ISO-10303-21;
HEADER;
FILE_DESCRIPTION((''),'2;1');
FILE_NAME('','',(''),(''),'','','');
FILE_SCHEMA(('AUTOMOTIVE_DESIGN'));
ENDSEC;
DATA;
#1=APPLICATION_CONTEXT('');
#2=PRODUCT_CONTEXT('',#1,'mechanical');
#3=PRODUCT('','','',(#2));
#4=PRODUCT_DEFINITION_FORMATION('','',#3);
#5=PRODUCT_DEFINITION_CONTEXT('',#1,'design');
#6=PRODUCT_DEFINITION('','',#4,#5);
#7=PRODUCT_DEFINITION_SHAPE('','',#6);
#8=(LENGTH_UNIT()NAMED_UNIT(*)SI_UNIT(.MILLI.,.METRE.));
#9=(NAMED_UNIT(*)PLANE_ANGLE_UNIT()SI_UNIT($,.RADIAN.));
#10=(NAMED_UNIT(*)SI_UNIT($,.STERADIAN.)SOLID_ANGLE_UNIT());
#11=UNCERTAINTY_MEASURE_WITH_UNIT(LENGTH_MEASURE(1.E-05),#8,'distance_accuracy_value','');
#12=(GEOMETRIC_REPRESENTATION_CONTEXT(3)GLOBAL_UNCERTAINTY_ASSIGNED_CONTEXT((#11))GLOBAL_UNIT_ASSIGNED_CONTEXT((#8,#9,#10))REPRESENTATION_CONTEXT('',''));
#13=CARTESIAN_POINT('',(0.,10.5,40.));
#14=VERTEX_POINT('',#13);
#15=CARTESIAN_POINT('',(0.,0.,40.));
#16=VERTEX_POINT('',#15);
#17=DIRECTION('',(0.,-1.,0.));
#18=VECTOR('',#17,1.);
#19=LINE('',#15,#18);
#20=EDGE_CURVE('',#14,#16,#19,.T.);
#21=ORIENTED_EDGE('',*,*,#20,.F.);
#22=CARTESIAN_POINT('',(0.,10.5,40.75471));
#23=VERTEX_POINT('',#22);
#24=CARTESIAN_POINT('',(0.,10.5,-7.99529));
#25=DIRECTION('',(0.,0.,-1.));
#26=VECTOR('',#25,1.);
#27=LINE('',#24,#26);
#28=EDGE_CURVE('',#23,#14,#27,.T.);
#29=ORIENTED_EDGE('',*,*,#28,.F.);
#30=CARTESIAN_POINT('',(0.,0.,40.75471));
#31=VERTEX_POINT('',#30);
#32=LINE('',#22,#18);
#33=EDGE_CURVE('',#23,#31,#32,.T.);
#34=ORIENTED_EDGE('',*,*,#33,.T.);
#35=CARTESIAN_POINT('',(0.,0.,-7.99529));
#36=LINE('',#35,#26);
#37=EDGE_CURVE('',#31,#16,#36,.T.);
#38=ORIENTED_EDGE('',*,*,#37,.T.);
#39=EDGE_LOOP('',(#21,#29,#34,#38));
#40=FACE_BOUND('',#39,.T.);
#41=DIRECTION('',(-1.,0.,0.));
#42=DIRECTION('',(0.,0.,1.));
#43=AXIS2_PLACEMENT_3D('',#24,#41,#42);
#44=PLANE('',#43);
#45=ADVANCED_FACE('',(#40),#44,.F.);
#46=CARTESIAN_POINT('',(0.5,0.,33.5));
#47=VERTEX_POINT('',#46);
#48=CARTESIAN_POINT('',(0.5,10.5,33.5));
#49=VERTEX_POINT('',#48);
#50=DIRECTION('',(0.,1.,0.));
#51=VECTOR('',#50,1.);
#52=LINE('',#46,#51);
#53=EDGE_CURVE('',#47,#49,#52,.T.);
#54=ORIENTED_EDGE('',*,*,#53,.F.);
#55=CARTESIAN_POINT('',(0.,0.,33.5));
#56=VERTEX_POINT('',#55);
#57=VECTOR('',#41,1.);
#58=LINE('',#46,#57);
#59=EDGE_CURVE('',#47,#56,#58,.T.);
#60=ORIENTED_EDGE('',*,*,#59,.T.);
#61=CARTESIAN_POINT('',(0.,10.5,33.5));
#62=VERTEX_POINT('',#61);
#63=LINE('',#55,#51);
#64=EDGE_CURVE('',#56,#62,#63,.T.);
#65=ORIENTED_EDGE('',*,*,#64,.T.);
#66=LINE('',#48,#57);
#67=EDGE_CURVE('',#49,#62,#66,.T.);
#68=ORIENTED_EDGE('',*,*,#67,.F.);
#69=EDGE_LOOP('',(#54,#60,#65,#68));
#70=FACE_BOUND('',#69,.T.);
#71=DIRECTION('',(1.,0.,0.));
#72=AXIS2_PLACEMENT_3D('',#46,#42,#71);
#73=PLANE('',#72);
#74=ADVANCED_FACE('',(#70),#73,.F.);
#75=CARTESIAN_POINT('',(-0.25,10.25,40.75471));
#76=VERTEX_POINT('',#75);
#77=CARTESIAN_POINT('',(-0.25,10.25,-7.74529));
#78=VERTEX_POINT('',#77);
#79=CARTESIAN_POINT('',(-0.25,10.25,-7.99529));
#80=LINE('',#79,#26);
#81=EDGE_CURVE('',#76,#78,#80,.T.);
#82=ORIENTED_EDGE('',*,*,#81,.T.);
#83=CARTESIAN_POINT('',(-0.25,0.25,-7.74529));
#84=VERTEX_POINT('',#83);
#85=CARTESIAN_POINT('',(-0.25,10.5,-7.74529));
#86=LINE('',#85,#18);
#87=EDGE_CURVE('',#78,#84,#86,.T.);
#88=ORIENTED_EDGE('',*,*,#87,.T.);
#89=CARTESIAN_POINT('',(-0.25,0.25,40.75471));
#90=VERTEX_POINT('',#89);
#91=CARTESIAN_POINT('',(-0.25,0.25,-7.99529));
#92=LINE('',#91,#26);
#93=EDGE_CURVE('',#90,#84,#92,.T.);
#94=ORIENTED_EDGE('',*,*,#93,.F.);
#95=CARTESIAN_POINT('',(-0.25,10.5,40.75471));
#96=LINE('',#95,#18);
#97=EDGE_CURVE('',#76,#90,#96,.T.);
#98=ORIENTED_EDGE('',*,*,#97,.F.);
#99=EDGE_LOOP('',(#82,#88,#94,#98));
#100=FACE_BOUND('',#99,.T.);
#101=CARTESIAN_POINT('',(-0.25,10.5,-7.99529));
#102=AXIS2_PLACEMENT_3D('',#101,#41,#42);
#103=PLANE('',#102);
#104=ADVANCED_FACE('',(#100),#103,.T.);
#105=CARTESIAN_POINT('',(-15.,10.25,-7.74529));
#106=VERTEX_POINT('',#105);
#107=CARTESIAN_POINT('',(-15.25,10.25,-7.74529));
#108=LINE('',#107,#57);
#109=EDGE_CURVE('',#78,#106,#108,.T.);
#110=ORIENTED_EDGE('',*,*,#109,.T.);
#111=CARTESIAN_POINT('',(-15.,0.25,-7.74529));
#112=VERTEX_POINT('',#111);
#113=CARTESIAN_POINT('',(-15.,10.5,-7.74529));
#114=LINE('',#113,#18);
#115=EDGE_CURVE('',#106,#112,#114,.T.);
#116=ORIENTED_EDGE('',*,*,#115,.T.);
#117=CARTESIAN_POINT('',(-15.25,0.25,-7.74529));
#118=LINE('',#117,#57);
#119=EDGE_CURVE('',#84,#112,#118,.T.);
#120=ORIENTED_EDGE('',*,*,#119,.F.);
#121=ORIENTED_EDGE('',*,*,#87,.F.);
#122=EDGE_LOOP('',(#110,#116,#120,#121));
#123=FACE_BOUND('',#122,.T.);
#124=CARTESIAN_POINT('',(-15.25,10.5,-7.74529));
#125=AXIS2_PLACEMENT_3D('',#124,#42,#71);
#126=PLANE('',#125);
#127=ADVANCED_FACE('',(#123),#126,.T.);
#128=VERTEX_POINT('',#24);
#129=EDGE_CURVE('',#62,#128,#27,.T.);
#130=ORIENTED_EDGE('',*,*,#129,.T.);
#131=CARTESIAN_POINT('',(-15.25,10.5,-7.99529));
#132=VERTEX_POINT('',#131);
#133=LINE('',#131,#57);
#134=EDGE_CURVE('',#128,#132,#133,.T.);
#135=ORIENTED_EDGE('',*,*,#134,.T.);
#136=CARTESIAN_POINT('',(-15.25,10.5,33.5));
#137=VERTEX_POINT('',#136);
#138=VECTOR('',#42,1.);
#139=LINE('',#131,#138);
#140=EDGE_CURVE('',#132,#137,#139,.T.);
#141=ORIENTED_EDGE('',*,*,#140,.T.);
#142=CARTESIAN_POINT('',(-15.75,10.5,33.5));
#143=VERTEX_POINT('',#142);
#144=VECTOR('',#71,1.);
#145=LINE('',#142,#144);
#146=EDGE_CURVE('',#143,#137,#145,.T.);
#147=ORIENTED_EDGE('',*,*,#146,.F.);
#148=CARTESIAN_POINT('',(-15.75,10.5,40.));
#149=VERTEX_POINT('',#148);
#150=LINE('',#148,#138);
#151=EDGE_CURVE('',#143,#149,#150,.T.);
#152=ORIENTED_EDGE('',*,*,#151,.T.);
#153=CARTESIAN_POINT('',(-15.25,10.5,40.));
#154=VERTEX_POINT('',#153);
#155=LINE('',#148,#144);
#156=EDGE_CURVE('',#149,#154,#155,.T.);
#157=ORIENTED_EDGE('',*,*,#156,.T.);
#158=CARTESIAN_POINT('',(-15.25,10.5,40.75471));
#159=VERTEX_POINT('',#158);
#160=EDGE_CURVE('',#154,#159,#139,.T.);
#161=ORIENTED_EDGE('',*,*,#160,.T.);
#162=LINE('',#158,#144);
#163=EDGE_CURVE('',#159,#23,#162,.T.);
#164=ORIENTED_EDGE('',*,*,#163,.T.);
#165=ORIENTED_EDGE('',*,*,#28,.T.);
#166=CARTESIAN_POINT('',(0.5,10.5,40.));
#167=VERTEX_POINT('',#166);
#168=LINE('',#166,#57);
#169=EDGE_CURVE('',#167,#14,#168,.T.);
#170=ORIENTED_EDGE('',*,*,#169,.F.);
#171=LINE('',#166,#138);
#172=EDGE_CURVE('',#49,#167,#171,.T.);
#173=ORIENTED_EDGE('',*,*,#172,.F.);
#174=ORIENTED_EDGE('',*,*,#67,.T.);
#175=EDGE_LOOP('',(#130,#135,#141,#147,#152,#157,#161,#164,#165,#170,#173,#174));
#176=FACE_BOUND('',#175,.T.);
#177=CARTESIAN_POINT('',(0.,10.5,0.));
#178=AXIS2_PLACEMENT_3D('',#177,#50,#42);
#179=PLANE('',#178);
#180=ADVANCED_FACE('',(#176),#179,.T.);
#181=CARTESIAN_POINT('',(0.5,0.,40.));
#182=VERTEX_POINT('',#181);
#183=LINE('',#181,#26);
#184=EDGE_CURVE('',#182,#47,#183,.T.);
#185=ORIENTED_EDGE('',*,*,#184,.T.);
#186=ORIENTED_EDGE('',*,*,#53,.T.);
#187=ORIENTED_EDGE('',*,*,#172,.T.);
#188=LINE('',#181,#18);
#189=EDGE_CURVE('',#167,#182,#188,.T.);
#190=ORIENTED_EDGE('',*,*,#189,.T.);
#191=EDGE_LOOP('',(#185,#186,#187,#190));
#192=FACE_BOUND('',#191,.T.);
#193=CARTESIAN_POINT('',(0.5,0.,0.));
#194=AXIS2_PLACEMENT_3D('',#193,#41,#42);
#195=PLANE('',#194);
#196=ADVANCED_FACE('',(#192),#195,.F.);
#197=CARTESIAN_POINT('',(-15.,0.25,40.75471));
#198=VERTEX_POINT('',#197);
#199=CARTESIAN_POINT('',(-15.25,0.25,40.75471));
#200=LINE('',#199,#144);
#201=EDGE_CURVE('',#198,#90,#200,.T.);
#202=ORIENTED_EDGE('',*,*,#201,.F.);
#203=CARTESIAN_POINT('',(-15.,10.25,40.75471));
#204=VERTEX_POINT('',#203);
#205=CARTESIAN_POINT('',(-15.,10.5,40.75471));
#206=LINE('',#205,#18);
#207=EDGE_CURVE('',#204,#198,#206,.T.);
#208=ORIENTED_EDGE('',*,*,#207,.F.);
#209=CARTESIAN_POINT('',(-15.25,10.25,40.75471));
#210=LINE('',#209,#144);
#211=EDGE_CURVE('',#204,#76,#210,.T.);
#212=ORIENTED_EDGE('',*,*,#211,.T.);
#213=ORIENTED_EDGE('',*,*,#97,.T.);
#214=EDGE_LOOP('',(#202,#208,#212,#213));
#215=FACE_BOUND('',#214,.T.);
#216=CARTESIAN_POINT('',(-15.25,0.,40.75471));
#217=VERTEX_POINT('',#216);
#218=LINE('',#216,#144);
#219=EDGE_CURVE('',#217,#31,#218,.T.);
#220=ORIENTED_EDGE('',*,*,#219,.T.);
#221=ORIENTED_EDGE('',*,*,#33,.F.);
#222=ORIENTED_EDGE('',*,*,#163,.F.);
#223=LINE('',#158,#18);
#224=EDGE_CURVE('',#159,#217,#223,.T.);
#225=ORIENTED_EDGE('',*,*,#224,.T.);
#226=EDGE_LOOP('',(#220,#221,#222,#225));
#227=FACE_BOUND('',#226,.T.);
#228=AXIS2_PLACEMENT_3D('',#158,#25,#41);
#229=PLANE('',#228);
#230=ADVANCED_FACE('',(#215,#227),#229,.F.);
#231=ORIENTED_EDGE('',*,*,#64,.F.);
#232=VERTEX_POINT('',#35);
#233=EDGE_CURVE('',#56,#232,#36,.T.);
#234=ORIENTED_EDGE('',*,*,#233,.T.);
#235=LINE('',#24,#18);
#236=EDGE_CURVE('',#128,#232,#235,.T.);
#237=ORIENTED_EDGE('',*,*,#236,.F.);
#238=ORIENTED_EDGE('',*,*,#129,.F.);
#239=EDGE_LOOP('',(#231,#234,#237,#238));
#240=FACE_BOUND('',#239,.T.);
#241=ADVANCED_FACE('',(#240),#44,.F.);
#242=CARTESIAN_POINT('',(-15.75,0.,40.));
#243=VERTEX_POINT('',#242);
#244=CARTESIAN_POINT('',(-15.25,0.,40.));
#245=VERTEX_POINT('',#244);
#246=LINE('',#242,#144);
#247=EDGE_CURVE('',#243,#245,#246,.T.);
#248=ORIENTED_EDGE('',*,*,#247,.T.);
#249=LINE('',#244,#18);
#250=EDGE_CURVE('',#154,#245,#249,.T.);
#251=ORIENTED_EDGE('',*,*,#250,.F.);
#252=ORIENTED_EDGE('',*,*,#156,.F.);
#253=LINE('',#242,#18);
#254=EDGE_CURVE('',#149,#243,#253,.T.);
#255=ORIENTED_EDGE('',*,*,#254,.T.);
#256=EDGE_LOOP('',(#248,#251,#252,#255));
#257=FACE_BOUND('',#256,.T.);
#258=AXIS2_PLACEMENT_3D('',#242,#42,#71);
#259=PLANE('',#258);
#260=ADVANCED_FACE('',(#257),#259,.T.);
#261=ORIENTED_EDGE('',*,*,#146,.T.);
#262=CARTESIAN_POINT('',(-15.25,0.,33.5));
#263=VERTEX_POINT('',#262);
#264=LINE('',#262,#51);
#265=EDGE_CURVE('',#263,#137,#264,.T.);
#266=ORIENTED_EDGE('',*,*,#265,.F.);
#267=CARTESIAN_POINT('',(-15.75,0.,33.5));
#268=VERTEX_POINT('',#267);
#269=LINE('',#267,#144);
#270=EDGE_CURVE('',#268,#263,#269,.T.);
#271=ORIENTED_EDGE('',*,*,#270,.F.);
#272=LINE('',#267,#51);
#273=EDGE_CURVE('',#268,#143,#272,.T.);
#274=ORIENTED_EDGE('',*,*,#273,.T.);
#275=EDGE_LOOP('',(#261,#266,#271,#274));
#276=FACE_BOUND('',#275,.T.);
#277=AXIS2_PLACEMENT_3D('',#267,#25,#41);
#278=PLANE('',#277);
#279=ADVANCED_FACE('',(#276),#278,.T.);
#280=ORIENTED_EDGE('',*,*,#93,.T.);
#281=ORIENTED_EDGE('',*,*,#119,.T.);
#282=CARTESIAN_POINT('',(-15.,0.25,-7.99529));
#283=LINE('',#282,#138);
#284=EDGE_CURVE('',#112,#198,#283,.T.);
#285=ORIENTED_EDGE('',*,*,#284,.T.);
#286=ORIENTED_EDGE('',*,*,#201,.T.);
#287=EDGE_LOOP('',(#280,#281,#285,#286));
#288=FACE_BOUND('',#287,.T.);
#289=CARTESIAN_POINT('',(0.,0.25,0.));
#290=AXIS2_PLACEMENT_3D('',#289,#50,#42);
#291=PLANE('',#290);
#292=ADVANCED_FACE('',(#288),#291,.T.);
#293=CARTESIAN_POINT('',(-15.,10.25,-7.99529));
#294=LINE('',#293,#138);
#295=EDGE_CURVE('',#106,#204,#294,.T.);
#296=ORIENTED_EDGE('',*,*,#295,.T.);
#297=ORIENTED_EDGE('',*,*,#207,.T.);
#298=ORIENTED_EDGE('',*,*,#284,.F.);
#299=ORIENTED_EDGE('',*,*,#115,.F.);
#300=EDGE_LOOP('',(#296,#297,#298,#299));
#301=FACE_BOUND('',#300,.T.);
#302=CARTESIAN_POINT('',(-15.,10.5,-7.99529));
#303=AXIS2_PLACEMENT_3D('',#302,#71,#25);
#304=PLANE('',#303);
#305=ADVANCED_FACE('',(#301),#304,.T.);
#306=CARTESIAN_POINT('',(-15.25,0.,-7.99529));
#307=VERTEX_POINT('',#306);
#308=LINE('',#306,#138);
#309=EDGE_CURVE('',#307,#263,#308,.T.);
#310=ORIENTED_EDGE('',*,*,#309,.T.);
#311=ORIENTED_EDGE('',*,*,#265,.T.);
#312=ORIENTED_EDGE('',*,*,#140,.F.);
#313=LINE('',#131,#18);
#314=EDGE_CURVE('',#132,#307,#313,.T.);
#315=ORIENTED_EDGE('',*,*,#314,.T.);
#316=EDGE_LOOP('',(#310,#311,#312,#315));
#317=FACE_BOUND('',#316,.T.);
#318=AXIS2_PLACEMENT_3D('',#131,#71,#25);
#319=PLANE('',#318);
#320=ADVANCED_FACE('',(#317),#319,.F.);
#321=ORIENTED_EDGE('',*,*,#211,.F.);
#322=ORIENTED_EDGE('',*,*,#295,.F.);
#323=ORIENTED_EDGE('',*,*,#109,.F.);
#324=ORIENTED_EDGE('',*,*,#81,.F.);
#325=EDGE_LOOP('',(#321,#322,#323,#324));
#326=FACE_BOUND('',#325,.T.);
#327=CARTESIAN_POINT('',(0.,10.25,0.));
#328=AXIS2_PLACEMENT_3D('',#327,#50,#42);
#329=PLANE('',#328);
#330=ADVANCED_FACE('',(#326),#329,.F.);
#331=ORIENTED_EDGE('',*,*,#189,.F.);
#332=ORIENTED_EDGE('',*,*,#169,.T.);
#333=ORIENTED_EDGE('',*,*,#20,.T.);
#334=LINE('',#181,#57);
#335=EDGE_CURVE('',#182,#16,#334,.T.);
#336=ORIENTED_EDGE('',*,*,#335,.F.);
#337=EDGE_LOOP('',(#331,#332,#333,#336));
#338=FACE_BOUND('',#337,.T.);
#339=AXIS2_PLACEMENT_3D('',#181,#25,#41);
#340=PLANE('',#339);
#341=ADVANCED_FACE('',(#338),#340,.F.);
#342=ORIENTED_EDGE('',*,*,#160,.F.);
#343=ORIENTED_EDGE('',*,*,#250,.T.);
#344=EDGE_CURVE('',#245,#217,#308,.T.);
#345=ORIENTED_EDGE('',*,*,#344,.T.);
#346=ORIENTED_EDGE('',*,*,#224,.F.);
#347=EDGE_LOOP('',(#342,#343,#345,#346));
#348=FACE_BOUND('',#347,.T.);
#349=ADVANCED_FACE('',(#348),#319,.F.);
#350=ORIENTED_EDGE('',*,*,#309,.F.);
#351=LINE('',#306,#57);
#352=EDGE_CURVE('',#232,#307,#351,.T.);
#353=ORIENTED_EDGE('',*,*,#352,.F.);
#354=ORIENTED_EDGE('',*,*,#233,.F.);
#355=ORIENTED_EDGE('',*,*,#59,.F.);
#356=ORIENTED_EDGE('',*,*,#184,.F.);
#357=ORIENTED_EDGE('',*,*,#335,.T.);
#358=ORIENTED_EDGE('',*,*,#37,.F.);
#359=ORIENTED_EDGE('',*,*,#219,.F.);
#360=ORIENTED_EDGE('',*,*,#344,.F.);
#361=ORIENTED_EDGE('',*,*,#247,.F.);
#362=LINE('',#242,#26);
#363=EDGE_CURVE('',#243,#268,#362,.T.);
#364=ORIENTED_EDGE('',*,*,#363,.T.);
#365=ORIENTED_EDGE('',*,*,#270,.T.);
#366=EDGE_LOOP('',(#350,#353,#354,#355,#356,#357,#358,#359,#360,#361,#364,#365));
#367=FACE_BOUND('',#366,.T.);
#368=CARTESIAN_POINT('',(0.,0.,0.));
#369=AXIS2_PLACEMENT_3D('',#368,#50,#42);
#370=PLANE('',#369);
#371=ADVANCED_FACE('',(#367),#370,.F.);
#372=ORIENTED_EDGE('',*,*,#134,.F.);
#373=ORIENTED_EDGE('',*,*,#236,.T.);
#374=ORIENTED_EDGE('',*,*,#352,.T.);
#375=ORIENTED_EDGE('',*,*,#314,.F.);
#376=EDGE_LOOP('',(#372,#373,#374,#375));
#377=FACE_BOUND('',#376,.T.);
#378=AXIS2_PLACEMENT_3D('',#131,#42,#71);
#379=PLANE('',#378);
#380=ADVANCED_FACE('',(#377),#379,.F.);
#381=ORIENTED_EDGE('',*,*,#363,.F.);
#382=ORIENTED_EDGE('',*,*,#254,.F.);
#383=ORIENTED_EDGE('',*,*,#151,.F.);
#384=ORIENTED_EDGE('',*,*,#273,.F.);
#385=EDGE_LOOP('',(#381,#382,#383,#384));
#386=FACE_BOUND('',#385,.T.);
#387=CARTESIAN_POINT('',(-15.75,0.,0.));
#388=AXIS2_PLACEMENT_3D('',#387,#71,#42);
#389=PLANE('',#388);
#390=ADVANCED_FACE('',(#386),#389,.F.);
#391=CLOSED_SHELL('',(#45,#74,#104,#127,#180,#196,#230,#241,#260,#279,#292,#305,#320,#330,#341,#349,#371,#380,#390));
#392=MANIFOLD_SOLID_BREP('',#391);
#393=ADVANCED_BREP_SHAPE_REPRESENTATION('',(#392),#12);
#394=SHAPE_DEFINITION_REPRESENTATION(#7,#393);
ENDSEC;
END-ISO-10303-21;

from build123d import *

# Parameters (mm, degrees)
SKETCH1_W           = 15.25
SKETCH1_H           = 48.75
BOSS_EXTRUDE1_DEPTH = 10.5
SHELL1_T            = -0.25
SKETCH3_W           = 6.5
SKETCH3_H           = 10.5
BOSS_EXTRUDE2_DEPTH = 0.5


with BuildPart() as part:
    # Sketch1 → Boss-Extrude1 (new body)
    with BuildSketch(Plane(origin=(0, 0, 0), x_dir=(1, 0, 0), z_dir=(0, 1, 0))):
        with Locations((-7.625, -16.379710312)):
            Rectangle(SKETCH1_W, SKETCH1_H)
    extrude(amount=BOSS_EXTRUDE1_DEPTH)

    # Shell1
    shell1_openings = [part.faces().sort_by_distance(p)[0] for p in [
        (-7.625, 5.25, 40.754710312),
    ]]
    offset(amount=SHELL1_T, openings=shell1_openings, kind=Kind.INTERSECTION)

    # Sketch3 → Boss-Extrude2 (add)
    with BuildSketch(Plane(origin=(0, 0, 0), x_dir=(0, 0, -1), z_dir=(1, 0, 0))):
        with Locations((-36.75, 5.25)):
            Rectangle(SKETCH3_W, SKETCH3_H)
    boss_extrude2 = extrude(amount=BOSS_EXTRUDE2_DEPTH)

    # Mirror1: Boss-Extrude2 across plane
    add(boss_extrude2.mirror(Plane.ZY.offset(7.625)))


solid = part.part
